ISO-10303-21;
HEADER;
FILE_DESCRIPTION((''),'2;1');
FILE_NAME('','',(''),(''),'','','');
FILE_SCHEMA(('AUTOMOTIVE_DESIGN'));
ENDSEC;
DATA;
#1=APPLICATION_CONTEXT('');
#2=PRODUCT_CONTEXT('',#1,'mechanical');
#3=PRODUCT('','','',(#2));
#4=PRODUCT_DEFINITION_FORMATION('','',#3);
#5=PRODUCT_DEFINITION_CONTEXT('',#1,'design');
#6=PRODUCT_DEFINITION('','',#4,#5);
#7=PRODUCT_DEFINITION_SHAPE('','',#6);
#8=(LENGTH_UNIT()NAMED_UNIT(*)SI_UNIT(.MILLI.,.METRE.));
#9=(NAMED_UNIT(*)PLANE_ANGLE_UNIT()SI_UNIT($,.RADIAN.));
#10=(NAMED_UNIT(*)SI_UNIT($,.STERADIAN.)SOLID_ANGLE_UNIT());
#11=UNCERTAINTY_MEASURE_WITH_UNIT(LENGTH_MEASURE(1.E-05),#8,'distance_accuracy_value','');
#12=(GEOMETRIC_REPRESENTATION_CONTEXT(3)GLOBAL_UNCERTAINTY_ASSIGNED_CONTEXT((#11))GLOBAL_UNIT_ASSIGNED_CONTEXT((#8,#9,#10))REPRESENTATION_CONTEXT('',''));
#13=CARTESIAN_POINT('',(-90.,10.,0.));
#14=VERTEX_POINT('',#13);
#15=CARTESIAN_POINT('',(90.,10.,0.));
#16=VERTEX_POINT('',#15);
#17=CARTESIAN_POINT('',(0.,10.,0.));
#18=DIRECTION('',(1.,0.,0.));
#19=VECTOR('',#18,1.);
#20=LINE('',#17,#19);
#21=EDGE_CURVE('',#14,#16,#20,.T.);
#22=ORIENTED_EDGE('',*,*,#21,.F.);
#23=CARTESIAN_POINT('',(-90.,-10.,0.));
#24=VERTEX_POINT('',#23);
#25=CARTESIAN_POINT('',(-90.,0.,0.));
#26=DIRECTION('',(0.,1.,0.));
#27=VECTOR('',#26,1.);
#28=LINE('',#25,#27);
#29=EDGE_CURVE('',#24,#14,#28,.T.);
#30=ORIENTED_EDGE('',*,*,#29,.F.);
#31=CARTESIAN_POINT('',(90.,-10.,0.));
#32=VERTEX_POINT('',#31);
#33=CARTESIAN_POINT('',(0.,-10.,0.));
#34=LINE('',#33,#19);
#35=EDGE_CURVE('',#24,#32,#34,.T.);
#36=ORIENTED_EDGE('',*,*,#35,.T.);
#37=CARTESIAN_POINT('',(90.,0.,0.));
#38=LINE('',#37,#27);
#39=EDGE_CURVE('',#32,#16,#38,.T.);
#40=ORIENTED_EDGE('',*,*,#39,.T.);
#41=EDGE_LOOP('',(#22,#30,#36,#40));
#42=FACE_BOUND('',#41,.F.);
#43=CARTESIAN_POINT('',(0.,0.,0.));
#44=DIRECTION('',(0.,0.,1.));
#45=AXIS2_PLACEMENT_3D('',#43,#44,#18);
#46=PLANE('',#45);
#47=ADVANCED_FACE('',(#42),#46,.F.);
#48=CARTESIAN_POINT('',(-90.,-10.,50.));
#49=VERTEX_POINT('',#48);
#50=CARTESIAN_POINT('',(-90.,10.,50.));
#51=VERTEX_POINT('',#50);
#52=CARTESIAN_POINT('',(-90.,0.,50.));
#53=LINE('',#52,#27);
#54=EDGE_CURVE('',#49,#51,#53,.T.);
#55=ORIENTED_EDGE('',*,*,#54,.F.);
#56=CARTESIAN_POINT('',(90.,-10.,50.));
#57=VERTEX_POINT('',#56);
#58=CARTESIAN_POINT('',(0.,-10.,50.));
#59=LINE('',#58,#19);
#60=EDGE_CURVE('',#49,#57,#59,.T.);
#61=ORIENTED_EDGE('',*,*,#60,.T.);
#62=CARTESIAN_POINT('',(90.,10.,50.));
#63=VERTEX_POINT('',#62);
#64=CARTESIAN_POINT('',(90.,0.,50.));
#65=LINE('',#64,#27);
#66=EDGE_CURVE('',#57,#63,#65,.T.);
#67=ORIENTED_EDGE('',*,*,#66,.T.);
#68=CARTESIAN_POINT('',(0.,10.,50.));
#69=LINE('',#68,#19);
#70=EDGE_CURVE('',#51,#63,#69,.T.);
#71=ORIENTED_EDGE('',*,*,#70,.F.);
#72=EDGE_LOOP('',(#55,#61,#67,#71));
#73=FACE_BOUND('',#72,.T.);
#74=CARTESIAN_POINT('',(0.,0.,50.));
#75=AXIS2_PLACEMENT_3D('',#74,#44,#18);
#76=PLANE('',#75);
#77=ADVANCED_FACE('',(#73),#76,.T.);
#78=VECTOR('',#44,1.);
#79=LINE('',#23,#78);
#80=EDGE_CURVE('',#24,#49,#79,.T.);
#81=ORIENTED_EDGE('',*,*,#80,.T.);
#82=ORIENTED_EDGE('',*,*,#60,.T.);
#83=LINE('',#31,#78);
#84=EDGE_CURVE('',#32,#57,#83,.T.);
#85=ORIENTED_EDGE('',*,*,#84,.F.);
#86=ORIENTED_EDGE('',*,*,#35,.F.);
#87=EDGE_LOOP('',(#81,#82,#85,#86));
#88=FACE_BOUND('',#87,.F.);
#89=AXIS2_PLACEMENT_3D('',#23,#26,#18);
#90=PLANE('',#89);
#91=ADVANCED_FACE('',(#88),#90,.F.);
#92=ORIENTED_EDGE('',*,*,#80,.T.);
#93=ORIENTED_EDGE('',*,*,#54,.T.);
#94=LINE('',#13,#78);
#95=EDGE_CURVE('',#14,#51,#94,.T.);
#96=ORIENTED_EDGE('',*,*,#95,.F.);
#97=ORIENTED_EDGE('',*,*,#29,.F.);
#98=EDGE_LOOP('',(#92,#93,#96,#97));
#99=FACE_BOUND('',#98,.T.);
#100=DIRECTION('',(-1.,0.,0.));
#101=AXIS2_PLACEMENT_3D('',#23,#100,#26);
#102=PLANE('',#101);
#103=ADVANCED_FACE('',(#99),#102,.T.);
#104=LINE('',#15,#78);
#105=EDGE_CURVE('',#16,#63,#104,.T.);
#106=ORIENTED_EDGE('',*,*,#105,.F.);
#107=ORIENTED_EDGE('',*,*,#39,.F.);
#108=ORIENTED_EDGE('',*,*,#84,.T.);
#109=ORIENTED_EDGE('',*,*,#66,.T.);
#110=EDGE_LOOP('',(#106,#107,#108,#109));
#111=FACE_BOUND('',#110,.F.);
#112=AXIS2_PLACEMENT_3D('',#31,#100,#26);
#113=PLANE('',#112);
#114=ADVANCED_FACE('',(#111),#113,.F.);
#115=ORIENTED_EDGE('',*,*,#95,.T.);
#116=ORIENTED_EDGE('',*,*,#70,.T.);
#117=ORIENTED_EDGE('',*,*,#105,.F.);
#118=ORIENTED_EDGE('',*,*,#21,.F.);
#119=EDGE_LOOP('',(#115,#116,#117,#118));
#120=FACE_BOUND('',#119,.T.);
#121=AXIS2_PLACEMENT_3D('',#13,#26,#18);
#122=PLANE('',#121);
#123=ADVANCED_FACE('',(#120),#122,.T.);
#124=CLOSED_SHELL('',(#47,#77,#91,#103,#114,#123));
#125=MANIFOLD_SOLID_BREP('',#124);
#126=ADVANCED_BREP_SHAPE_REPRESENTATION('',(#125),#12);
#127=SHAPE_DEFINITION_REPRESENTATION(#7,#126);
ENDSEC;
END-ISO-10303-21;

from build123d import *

# Parameters (mm, degrees)
SKETCH_W      = 180
SKETCH_H      = 20
EXTRUDE_DEPTH = 50


with BuildPart() as part:
    # Sketch → Extrude (new body)
    with BuildSketch(Plane.XY):
        Rectangle(SKETCH_W, SKETCH_H)
    extrude(amount=EXTRUDE_DEPTH)


solid = part.part
